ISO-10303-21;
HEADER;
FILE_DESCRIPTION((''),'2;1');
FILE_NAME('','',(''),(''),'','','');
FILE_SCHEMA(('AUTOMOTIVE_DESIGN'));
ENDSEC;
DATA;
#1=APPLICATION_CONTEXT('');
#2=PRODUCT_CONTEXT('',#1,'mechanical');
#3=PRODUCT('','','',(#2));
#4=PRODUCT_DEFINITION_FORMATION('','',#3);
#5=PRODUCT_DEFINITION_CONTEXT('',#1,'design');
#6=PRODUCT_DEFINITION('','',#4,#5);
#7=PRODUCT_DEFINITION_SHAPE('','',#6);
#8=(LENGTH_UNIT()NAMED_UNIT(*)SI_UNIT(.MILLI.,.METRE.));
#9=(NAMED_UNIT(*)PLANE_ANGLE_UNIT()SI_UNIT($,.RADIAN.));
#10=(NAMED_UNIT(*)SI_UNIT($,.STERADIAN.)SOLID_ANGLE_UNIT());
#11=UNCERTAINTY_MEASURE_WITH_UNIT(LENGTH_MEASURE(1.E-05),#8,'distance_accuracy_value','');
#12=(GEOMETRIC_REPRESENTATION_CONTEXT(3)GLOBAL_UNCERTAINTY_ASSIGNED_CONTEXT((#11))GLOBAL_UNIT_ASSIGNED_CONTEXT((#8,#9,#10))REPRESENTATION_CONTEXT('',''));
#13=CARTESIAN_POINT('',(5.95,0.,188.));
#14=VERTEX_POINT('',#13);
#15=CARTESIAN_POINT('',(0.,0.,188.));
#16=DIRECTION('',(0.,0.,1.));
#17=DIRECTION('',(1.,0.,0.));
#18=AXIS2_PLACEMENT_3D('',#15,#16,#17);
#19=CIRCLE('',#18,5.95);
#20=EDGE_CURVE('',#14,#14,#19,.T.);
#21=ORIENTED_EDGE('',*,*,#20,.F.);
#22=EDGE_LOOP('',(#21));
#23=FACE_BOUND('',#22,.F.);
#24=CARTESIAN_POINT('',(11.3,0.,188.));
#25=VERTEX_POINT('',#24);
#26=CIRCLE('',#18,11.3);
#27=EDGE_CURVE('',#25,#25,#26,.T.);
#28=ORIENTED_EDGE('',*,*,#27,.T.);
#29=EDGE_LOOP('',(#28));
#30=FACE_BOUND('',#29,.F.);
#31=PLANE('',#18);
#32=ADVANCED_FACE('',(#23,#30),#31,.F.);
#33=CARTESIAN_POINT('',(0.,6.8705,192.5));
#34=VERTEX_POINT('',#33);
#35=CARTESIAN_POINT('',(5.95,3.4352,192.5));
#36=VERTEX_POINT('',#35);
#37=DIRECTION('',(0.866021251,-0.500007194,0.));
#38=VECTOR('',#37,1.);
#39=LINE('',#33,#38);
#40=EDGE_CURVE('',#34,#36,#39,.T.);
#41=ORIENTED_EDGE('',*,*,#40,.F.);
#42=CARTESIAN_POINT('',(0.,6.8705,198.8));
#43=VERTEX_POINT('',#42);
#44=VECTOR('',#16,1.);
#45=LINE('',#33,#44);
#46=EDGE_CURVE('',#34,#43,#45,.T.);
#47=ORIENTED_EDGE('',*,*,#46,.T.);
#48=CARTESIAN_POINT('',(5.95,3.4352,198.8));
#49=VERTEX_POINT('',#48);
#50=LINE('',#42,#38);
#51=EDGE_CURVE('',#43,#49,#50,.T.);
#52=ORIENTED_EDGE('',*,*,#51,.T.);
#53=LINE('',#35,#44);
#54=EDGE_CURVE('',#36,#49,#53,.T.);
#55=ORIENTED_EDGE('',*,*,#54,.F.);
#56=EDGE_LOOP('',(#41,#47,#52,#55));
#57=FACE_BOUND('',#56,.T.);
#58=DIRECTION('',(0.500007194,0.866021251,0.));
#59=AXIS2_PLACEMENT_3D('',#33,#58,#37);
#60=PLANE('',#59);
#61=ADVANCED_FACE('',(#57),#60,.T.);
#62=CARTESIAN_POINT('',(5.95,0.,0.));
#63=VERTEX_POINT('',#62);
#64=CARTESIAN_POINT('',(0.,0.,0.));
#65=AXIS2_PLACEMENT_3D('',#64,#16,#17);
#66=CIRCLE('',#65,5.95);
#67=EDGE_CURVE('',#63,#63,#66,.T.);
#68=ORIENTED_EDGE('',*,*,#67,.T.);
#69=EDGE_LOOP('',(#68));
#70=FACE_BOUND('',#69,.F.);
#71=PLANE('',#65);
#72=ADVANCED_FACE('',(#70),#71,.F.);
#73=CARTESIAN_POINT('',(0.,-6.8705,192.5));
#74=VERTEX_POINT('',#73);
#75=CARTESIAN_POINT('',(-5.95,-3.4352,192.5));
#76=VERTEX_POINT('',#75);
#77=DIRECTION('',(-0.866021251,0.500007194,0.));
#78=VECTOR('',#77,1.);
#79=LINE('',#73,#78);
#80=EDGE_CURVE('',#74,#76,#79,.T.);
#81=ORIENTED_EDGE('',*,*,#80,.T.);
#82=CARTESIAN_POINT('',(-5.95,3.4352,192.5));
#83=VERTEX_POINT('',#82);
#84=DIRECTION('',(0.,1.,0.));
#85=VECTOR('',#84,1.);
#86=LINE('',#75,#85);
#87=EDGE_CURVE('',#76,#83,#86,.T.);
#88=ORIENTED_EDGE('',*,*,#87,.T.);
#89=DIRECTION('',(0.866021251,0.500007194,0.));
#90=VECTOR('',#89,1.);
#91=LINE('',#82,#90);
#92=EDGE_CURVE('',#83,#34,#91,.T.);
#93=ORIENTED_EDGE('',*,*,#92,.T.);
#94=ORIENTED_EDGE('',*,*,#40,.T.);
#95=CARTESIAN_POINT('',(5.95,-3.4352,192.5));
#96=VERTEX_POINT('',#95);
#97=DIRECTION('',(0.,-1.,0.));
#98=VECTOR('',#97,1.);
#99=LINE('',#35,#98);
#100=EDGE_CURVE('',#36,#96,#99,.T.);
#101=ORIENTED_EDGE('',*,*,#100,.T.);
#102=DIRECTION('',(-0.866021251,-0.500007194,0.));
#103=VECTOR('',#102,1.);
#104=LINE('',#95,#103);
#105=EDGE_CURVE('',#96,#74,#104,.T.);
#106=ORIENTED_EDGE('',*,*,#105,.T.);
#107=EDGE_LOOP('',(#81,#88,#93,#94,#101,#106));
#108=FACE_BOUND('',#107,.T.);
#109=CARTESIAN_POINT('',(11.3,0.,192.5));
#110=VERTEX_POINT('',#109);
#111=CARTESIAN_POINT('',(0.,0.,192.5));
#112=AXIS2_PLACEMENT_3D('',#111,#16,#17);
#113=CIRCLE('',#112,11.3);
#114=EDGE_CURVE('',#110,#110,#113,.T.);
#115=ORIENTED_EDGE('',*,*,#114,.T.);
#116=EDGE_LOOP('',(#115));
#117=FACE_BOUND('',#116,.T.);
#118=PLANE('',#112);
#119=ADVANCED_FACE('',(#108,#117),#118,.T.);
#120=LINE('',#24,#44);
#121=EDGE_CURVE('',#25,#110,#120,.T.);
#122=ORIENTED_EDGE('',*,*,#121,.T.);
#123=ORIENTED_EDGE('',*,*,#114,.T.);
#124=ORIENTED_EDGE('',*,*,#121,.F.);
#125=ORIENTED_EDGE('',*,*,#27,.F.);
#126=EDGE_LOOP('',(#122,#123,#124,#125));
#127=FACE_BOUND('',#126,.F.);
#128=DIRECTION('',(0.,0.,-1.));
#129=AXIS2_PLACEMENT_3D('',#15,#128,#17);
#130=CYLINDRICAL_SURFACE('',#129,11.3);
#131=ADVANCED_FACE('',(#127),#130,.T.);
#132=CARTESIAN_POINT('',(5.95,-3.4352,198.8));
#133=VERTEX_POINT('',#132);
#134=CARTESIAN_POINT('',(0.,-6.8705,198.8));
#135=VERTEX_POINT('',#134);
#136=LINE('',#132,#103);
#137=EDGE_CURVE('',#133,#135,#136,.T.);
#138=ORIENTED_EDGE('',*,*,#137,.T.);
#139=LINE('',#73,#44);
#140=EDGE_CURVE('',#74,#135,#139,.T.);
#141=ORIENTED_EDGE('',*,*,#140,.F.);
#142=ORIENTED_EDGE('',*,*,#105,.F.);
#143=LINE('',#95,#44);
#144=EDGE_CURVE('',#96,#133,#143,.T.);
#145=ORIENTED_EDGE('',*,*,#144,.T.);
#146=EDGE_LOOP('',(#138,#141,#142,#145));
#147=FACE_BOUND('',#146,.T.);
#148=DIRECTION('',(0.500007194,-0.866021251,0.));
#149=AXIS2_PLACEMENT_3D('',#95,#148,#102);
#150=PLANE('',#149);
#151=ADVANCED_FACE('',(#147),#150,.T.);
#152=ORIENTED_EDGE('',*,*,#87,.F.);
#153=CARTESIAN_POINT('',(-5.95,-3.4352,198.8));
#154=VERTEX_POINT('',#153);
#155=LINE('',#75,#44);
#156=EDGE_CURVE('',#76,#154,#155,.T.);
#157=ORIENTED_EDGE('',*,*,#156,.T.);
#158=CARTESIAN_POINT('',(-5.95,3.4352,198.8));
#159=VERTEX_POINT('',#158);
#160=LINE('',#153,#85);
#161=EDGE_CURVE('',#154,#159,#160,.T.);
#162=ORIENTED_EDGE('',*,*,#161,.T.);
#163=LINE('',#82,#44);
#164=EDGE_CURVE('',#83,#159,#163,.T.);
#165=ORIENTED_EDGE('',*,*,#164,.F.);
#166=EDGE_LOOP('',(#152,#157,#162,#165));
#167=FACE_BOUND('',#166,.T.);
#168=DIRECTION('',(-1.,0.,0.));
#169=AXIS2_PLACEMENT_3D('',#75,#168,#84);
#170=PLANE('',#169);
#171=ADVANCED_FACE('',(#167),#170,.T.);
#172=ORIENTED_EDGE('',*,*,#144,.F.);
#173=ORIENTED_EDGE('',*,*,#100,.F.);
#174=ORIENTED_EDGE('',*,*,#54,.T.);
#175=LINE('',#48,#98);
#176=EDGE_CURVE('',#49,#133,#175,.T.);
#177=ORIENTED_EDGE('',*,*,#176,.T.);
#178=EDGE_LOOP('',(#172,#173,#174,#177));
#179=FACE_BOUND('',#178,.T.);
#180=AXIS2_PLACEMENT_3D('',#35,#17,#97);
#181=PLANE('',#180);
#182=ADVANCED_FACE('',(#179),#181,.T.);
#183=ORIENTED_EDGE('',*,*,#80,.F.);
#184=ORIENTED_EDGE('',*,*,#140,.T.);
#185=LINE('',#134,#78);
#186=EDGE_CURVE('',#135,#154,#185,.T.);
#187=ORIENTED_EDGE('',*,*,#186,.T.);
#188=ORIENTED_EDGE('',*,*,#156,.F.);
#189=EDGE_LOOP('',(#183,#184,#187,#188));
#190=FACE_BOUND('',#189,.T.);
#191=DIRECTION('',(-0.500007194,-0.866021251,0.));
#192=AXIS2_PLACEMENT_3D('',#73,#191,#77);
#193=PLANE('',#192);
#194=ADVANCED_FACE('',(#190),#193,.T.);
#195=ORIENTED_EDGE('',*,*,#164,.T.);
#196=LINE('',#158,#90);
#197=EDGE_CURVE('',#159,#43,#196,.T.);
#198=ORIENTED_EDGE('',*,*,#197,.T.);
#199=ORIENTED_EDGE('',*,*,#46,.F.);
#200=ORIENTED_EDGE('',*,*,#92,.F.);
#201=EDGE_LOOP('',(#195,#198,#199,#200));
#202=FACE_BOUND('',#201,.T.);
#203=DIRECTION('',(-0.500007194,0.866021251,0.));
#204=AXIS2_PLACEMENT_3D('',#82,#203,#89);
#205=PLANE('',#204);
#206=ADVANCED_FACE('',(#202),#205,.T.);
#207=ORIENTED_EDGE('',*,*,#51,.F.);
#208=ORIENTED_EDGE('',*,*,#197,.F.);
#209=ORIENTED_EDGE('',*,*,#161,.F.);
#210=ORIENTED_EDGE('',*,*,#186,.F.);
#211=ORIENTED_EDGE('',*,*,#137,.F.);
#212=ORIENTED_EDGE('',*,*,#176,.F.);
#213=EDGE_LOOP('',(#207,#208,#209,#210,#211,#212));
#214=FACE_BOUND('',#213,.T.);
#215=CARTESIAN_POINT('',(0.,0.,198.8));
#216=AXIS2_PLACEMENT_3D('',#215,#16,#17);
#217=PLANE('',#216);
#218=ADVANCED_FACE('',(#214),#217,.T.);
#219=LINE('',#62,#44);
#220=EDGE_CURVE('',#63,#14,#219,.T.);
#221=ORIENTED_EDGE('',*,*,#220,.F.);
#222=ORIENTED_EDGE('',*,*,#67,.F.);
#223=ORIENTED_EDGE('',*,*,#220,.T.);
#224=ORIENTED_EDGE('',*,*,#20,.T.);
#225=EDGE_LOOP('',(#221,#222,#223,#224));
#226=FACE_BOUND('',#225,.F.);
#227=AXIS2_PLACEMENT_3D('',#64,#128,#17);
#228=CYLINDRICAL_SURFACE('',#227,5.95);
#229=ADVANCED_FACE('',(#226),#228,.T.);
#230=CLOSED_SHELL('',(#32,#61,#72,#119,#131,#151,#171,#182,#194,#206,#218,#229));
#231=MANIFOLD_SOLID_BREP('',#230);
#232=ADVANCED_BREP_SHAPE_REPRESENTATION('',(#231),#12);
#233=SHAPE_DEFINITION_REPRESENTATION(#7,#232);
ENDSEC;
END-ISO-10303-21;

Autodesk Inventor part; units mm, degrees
ref_plane "YZ Plane" through (0, 0, 0) normal (1, 0, 0) x (0, 1, 0)
ref_plane "XZ Plane" through (0, 0, 0) normal (0, 1, 0) x (-1, 0, 0)
ref_plane "XY Plane" through (0, 0, 0) normal (0, 0, 1) x (1, 0, 0)
sketch "スケッチ1" plane through (0, 0, 0) normal (0, 0, 1) x (1, 0, 0)
  circle A0 centre (0, 0) radius 5.95
  dimension "d0" = 11.9
extrude "押し出し1" add sketch "スケッチ1" along normal blind 188
thread "ねじ1" size "M12x1.75" class "6g" standard "ANSI Metric M Profile" length 17
sketch "スケッチ3" plane through (0, 0, 188) normal (0, 0, 1) x (1, 0, 0)
  circle A0 centre (0, 0) radius 11.3
  dimension "d5" = 22.6
extrude "押し出し2" add sketch "スケッチ3" along normal blind 4.5
sketch "スケッチ4" plane through (0, 0, 192.5) normal (0, 0, 1) x (1, 0, 0)
  circle A0 centre (0, 0) radius 5.95 construction
  line L0 (5.95, -3.4352) -> (0, -6.8705)
  line L1 (0, -6.8705) -> (-5.95, -3.4352)
  line L2 (-5.95, -3.4352) -> (-5.95, 3.4352)
  line L3 (-5.95, 3.4352) -> (0, 6.8705)
  line L4 (0, 6.8705) -> (5.95, 3.4352)
  line L5 (5.95, 3.4352) -> (5.95, -3.4352)
  point P0 (5.95, 0)
extrude "押し出し3" add sketch "スケッチ4" along normal blind 6.3
properties part number "前輪シャフト"
